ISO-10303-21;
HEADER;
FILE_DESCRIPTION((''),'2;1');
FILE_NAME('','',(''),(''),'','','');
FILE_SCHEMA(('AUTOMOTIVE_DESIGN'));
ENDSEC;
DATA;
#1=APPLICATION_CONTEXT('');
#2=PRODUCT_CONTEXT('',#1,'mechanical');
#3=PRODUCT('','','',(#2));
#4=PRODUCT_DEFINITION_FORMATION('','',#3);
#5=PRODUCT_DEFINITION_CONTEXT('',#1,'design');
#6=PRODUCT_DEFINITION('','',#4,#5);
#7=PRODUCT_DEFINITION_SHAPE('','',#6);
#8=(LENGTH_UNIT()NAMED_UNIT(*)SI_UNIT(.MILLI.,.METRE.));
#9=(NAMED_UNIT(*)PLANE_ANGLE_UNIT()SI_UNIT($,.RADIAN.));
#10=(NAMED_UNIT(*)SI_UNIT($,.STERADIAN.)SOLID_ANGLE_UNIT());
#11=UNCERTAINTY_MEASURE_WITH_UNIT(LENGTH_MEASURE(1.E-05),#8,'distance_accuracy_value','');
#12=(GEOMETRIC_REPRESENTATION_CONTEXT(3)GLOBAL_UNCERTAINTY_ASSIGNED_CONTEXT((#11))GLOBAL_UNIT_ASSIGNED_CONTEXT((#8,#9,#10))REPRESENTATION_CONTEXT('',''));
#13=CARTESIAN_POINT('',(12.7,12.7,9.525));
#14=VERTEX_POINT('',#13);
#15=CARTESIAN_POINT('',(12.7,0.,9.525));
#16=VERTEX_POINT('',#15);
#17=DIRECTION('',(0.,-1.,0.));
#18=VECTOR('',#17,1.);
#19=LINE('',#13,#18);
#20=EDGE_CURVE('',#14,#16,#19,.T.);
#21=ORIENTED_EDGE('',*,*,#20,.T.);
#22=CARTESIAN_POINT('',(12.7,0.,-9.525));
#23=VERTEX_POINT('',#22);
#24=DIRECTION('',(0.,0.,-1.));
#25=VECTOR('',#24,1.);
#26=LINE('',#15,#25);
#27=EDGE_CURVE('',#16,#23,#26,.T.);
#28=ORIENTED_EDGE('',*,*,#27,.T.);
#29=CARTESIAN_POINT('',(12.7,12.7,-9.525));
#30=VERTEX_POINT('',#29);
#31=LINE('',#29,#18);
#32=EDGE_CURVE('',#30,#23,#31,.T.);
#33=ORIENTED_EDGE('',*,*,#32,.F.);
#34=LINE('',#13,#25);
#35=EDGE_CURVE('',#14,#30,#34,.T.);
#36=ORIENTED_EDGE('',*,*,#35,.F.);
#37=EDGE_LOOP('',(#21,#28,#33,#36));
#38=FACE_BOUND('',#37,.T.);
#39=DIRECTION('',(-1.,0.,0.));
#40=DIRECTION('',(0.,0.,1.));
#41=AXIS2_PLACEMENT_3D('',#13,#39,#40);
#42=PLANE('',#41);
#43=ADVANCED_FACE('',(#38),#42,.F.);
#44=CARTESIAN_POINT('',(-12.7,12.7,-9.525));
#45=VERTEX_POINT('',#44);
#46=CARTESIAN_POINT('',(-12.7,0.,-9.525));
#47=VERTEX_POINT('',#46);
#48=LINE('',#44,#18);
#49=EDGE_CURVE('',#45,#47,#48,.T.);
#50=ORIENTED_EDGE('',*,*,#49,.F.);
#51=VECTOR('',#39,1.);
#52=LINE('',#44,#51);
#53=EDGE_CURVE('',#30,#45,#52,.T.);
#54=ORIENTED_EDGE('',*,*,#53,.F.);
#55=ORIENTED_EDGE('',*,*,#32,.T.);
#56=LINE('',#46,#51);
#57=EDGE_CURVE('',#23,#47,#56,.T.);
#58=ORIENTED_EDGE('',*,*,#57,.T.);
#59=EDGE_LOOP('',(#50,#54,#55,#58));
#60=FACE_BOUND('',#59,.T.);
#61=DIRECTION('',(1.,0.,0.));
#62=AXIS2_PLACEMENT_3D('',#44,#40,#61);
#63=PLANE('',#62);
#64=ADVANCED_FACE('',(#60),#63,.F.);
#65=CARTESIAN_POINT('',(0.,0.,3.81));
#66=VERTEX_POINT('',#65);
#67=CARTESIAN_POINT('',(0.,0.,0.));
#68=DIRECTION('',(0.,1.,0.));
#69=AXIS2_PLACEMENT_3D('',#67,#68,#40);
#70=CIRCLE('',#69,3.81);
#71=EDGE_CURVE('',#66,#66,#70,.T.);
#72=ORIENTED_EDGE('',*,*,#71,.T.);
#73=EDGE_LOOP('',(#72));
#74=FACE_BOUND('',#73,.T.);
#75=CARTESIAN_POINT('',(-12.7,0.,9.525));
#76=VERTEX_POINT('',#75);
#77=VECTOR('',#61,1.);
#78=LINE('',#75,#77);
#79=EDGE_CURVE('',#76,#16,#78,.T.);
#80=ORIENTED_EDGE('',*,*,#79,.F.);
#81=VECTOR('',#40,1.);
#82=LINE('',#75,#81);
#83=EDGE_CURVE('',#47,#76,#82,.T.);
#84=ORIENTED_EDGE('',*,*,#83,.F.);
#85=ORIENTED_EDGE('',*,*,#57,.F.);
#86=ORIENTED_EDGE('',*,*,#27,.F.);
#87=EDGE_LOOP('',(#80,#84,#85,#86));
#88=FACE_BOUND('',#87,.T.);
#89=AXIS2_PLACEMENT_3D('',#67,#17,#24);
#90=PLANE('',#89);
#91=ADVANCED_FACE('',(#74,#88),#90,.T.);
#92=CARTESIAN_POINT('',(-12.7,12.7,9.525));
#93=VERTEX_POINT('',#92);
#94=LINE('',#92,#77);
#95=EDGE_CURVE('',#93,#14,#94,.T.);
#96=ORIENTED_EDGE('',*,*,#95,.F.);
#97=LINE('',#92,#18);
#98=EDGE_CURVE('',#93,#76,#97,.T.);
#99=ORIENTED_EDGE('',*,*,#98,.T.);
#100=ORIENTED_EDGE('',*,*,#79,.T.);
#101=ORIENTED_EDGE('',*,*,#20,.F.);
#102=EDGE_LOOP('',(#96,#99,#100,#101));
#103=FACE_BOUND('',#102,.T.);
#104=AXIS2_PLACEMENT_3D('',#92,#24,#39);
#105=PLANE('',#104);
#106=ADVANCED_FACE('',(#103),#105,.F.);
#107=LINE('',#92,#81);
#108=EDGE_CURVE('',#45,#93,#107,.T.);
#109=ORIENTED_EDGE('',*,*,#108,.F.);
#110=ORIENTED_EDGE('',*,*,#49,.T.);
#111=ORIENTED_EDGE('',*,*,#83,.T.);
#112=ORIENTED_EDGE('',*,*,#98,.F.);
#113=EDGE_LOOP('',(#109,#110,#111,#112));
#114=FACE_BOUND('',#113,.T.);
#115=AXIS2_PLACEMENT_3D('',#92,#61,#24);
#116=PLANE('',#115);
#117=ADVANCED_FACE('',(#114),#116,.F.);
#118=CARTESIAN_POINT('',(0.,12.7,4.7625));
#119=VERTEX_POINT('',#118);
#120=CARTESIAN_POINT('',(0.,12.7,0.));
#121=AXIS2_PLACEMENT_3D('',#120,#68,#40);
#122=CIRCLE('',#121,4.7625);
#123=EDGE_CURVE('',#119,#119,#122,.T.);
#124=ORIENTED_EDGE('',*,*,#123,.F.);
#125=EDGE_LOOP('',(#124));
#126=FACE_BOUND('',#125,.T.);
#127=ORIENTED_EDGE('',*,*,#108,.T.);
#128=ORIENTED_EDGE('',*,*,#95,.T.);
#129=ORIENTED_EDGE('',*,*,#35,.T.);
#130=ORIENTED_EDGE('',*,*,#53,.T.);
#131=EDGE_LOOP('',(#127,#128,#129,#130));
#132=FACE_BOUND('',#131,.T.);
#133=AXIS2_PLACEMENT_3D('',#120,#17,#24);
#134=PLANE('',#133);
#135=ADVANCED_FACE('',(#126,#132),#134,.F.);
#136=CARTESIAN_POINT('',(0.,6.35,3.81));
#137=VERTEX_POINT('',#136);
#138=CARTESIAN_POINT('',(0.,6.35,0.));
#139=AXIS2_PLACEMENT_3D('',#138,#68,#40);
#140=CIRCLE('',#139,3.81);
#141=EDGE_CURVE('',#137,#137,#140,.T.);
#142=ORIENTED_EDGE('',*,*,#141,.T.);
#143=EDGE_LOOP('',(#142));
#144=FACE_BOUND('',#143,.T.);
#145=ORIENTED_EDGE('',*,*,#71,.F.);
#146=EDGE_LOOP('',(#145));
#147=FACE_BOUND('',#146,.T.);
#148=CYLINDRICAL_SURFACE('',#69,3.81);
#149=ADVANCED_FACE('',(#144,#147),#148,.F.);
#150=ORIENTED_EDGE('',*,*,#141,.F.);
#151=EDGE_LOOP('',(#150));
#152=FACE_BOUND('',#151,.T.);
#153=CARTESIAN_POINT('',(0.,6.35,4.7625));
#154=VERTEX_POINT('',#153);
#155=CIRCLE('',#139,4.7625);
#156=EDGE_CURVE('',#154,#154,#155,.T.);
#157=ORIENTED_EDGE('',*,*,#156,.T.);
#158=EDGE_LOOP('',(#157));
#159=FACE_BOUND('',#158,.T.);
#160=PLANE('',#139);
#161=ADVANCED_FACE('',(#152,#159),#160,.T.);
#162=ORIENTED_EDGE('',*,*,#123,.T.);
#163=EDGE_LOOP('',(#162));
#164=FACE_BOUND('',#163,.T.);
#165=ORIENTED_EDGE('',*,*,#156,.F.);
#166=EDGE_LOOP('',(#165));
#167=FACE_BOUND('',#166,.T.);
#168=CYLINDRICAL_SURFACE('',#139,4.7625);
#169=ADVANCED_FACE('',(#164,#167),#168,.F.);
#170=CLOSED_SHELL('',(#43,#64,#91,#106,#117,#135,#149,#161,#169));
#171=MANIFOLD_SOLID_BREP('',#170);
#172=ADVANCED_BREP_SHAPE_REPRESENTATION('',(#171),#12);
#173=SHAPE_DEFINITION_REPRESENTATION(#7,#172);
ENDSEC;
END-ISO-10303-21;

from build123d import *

# Parameters (mm, degrees)
SKETCH1_W           = 25.4
SKETCH1_H           = 19.05
BOSS_EXTRUDE1_DEPTH = 12.7
SKETCH2_R           = 4.7625
CUT_EXTRUDE1_DEPTH  = 6.35
SKETCH3_R           = 3.81
CUT_EXTRUDE2_DEPTH  = 18.097898263


with BuildPart() as part:
    # Sketch1 → Boss-Extrude1 (new body)
    with BuildSketch(Plane(origin=(0, 0, 0), x_dir=(1, 0, 0), z_dir=(0, 1, 0))):
        Rectangle(SKETCH1_W, SKETCH1_H)
    extrude(amount=BOSS_EXTRUDE1_DEPTH)

    # Sketch2 → Cut-Extrude1 (cut)
    with BuildSketch(Plane(origin=(0, 12.7, 0), x_dir=(1, 0, 0), z_dir=(0, 1, 0))):
        with Locations(Location((0, 0, 0), (0, 0, 270))):
            Circle(SKETCH2_R)
    extrude(amount=-CUT_EXTRUDE1_DEPTH, mode=Mode.SUBTRACT)

    # Sketch3 → Cut-Extrude2 (cut, through all)
    with BuildSketch(Plane(origin=(0, 6.35, 0), x_dir=(1, 0, 0), z_dir=(0, 1, 0))):
        with Locations(Location((0, 0, 0), (0, 0, 270))):
            Circle(SKETCH3_R)
    extrude(amount=-CUT_EXTRUDE2_DEPTH, mode=Mode.SUBTRACT)


solid = part.part
